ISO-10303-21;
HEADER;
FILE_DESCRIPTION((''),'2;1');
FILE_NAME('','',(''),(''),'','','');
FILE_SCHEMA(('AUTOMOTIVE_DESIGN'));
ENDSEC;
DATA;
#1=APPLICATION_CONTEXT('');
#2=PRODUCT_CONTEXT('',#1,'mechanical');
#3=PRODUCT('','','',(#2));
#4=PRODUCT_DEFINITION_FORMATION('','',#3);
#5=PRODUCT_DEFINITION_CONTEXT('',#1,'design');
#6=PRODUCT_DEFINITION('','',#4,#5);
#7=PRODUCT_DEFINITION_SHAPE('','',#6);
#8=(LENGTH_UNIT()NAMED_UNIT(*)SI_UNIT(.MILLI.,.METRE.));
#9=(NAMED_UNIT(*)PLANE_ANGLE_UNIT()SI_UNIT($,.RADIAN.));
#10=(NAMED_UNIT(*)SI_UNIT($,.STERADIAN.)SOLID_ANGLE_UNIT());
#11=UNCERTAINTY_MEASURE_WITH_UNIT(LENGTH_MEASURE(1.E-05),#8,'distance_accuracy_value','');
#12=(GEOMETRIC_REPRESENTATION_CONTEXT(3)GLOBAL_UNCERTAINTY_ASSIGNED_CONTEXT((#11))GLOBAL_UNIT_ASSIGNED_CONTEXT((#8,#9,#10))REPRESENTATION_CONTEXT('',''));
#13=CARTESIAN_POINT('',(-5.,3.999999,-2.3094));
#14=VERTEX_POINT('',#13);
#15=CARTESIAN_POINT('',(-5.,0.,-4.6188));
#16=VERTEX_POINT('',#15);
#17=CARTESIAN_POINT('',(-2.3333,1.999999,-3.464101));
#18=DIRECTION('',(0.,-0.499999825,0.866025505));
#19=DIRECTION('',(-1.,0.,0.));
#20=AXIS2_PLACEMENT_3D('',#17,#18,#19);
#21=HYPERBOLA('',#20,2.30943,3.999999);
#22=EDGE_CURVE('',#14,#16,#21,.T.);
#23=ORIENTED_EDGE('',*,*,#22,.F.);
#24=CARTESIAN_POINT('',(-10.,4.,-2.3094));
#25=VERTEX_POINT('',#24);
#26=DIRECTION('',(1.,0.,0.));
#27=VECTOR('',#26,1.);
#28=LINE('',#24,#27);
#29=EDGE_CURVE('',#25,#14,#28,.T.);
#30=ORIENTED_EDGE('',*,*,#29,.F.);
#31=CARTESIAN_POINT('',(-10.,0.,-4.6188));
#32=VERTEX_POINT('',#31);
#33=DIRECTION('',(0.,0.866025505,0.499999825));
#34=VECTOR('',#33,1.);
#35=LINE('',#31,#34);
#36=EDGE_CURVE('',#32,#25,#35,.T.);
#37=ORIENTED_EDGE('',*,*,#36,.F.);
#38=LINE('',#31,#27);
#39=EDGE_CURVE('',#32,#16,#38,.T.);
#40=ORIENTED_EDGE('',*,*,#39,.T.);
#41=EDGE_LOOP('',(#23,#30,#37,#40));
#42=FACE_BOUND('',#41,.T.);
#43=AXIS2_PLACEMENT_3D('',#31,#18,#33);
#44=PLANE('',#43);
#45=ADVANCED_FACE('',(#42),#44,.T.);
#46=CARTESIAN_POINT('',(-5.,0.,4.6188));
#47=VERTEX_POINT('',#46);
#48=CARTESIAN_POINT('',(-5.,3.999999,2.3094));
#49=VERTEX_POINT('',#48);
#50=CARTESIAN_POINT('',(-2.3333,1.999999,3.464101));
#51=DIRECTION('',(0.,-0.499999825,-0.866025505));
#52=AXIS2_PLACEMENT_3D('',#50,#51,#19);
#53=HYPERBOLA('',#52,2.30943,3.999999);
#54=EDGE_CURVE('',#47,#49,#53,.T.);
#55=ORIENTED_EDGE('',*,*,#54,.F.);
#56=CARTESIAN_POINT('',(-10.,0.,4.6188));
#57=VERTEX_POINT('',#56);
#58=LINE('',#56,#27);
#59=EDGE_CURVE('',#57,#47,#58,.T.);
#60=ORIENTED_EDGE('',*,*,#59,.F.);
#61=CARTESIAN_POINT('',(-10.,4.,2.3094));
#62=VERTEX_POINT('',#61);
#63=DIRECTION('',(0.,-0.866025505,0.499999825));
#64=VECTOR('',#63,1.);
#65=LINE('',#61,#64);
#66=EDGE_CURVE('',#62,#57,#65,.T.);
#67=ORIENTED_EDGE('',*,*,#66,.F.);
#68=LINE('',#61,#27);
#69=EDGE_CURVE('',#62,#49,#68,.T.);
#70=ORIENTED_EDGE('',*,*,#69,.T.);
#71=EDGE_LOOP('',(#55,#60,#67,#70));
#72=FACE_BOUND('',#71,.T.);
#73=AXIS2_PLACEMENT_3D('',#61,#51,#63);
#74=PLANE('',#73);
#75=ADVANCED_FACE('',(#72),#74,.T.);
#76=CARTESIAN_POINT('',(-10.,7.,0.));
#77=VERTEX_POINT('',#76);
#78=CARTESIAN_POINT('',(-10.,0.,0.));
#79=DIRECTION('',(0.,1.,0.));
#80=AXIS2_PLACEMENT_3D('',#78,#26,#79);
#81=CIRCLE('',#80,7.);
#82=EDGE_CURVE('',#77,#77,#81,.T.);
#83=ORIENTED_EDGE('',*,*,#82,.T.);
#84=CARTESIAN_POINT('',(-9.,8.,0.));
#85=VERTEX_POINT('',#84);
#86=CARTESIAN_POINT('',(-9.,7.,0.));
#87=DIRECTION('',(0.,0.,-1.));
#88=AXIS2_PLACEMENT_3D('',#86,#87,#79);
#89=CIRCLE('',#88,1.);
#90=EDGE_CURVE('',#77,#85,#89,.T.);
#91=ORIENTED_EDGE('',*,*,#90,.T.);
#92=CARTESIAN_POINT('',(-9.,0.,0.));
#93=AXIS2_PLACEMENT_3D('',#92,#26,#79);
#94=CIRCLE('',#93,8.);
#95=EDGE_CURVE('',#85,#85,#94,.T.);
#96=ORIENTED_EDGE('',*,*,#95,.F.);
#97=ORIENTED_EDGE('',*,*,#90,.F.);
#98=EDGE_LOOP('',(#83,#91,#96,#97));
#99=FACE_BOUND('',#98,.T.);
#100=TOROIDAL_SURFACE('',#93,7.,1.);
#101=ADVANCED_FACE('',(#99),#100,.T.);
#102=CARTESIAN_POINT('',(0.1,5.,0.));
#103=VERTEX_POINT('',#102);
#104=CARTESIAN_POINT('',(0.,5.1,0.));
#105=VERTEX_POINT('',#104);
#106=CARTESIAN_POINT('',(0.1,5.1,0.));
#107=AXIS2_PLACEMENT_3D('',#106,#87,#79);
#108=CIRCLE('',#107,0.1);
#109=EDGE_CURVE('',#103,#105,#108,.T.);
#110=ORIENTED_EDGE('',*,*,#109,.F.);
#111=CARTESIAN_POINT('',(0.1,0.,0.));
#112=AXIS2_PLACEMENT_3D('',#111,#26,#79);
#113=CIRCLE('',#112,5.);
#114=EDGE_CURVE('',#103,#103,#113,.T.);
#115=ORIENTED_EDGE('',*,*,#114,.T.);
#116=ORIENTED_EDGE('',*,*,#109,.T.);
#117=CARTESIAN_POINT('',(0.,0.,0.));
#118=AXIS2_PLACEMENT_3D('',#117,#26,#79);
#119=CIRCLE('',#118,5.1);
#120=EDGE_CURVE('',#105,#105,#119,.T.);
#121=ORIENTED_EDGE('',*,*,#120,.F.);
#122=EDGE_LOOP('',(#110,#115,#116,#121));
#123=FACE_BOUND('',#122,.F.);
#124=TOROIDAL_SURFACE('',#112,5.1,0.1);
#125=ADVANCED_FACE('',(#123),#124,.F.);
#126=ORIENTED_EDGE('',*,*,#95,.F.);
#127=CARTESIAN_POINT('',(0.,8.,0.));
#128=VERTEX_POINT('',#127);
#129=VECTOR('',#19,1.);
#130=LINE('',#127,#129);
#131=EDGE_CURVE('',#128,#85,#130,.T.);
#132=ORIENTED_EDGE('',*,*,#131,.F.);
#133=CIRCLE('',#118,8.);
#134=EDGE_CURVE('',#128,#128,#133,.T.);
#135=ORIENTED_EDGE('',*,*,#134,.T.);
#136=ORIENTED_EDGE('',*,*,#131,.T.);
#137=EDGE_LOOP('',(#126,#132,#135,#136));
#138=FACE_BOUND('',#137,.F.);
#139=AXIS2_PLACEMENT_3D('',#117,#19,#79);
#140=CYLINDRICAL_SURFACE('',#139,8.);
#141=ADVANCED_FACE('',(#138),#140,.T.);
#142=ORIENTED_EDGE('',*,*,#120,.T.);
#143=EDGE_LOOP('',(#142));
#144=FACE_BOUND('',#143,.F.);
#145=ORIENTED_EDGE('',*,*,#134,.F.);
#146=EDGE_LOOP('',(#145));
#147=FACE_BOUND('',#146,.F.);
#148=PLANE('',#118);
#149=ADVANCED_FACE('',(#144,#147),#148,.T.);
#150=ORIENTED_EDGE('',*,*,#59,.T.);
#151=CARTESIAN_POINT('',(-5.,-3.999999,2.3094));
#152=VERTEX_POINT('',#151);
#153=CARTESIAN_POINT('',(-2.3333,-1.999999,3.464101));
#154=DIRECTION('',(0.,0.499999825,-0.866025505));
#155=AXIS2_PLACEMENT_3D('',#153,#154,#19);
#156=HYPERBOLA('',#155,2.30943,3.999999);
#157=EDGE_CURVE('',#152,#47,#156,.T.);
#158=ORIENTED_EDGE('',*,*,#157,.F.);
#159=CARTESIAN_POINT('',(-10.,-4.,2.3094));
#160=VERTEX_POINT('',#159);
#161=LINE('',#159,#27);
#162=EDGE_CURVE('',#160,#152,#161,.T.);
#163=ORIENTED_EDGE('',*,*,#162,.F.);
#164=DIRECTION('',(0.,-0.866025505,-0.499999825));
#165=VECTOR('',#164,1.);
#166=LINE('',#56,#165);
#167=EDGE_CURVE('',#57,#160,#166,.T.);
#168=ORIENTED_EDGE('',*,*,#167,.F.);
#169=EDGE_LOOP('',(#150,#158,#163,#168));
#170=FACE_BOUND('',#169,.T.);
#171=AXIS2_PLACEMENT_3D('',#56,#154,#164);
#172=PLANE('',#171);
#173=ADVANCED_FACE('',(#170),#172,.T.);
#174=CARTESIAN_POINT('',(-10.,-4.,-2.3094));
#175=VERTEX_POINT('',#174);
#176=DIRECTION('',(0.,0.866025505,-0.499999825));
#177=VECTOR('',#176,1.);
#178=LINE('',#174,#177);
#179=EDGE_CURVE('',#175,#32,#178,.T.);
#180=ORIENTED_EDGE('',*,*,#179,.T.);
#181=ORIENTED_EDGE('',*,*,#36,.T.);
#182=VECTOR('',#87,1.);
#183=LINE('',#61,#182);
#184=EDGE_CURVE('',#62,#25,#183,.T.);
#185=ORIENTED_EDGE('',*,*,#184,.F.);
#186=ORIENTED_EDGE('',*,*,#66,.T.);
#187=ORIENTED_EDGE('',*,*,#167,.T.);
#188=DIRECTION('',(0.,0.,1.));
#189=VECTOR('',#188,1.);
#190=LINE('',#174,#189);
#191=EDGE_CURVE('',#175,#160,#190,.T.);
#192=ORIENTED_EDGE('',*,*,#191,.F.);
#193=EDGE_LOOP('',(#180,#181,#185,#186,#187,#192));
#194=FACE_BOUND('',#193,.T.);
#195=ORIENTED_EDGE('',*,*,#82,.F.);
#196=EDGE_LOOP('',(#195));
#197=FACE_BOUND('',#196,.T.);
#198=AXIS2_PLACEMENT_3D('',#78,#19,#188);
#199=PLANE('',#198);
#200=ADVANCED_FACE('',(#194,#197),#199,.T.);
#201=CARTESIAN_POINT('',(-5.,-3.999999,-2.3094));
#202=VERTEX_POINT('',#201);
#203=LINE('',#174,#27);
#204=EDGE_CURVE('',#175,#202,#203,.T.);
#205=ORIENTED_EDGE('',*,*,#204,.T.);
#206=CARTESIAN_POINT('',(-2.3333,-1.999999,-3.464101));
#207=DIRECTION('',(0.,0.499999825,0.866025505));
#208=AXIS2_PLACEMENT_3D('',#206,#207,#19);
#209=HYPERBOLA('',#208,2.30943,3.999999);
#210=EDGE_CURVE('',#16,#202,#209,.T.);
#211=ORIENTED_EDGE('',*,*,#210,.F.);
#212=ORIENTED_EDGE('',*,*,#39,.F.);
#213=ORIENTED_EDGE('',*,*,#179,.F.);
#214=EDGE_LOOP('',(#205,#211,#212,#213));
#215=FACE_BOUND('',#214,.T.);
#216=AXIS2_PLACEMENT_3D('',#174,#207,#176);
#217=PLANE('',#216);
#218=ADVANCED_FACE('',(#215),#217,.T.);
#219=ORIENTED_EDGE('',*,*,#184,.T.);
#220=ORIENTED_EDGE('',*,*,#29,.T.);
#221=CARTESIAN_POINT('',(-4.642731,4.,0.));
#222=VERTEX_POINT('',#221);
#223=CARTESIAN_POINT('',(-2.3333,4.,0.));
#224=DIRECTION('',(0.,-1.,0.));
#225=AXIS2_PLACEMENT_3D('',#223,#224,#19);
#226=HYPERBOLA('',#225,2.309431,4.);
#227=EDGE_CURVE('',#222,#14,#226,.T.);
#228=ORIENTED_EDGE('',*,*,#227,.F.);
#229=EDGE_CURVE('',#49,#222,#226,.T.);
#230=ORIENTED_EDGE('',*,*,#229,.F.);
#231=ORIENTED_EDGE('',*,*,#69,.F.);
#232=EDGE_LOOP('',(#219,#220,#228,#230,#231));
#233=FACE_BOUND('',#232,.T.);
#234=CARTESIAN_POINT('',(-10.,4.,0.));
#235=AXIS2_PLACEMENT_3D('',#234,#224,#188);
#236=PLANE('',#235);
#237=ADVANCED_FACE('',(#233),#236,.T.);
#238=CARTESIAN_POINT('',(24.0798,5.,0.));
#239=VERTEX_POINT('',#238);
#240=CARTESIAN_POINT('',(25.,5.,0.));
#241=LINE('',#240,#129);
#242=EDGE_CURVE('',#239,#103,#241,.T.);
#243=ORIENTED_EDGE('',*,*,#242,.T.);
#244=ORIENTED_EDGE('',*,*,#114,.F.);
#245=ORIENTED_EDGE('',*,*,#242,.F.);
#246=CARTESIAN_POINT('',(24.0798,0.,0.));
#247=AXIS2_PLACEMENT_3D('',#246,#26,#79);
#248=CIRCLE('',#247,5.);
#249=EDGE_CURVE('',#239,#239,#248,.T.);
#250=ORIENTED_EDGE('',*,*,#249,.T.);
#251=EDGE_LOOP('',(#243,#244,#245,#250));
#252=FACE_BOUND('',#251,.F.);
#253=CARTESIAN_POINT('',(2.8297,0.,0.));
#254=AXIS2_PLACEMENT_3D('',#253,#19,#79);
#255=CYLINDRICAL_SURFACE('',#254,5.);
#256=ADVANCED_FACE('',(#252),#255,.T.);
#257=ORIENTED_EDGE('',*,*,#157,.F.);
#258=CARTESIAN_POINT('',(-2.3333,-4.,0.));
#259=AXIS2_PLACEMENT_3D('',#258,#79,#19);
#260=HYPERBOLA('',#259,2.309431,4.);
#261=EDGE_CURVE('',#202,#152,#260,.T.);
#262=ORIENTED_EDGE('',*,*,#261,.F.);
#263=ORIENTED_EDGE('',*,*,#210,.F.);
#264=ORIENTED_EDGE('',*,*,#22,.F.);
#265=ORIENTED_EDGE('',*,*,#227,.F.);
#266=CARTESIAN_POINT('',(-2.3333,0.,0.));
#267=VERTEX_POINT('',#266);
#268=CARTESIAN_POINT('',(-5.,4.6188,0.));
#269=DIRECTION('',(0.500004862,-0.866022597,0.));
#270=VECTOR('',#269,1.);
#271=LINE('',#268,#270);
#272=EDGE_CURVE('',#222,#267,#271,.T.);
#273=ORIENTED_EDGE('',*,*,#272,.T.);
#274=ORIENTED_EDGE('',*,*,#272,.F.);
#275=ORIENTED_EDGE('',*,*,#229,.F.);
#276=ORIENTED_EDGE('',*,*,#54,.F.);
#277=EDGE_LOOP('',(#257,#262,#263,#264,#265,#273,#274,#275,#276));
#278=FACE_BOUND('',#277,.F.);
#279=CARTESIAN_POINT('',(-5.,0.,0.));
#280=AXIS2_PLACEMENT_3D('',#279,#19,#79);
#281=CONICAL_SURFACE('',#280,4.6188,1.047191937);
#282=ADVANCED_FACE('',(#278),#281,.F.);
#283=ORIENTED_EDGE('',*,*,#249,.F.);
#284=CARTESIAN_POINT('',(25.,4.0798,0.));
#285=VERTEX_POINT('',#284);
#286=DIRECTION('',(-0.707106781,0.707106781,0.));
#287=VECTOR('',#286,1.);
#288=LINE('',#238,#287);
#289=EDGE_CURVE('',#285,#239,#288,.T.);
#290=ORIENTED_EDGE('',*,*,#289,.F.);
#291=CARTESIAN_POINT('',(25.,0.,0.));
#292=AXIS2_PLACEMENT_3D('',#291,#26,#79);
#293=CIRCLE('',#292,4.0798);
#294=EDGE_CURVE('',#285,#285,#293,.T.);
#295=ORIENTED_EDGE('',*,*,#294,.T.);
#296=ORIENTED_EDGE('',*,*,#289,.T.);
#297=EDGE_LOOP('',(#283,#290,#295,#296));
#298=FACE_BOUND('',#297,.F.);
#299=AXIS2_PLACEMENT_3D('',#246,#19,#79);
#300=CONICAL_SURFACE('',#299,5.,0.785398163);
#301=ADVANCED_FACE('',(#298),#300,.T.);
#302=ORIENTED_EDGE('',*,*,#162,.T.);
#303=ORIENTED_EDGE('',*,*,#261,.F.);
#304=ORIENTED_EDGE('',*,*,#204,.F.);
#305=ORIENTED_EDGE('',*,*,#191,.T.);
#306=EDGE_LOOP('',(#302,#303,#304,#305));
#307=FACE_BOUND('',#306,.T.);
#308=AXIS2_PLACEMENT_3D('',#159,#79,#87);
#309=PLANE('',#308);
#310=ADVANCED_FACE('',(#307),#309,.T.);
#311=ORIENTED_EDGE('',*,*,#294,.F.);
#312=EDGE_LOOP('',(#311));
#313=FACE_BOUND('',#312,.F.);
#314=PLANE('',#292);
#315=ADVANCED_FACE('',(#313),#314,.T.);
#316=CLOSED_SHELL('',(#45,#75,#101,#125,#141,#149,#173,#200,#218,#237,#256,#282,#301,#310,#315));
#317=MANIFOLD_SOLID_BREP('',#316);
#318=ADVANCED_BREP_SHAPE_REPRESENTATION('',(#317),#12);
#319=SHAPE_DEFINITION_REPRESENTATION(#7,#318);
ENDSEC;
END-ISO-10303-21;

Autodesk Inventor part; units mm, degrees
ref_plane "YZ Plane" through (0, 0, 0) normal (1, 0, 0) x (0, 1, 0)
ref_plane "XZ Plane" through (0, 0, 0) normal (0, 1, 0) x (-1, 0, 0)
sketch "스케치1" plane through (0, 0, 0) normal (0, 0, 1) x (1, 0, 0)
  line L0 (-2.3333, 0) -> (25, 0)
  line L1 (25, 0) -> (25, 5)
  line L2 (25, 5) -> (3.75, 5)
  line L3 (3.75, 5) -> (2.8297, 5)
  line L4 (2.8297, 5) -> (0, 5)
  line L5 (0, 5) -> (0, 8)
  line L6 (0, 8) -> (-10, 8)
  line L7 (-10, 8) -> (-10, 4.6188)
  line L8 (-10, 4.6188) -> (-5, 4.6188)
  line L9 (-5, 4.6188) -> (-2.3333, 0)
  line L10 (-17, 0) -> (32, 0) projected
  line L11 (0, -1.6) -> (0, 9.6) projected
  line L12 (3.75, 5) -> (0, 5) construction
  dimension "d1" = 21.25
  dimension "d2" = 0.9203
  dimension "d3" = 10
  dimension "d4" = 5
  dimension "d5" = 60
  dimension "d6" = 10
  dimension "d7" = 10
  dimension "d8" = 9.2376
  dimension "d9" = 16
  dimension "d26" = 25
revolve "본체" add sketch "스케치1" angle 360 about axis through (-2.3333, 0, 0) along (1, 0, 0)
sketch "스케치2" plane through (-10, 0, 0) normal (-1, 0, 0) x (0, 0, 1)
  circle A0 centre (0, 0) radius 4.6188 projected
  line L0 (0, -11.2) -> (0, 11.2) projected
  line L1 (-11.2, 0) -> (11.2, 0) projected
  line L2 (4.6188, 0) -> (2.3094, -4)
  line L3 (2.3094, -4) -> (-2.3094, -4)
  line L4 (-2.3094, -4) -> (-4.6188, 0)
  line L5 (-4.6188, 0) -> (-2.3094, 4)
  line L6 (-2.3094, 4) -> (2.3094, 4)
  line L7 (2.3094, 4) -> (4.6188, 0)
  point P0 (0, 0)
extrude "슬롯" add sketch "스케치2" against normal up to next contours L7 A0 | A0 L2 | L6 L0 A0 | A0 L0 L3 | L0 L6 A0 | A0 L3 L0 | L4 A0 | A0 L5
fillet "모깎기1" radius 1 1 edges at (-10, -8, 0)
thread "스레드" size "M10x1.5" class "6g" standard "ISO Metric profile" length 21.25
chamfer "모따기1" distance 0.9202 distance2 0.9202 1 edges at (25, -5, 0) measured on face at (25, -0.8193, -0.3214)
ref_plane "Work Plane1" through (29, 0, 0) normal (0, -1, 0) x (1, 0, 0)
fillet "Fillet2" radius 0.1 1 edges at (0, -5, 0)
equation "\"d1\" = GEL"
equation "\"d3\" = KOH"
equation "\"d4\" = INTI"
equation "\"d6\" = GD"
equation "\"d7\" = BDM"
equation "\"d8\" = 1.1547 * SW"
equation "\"d9\" = KOD"
equation "\"d26\" = NLG"
equation "\"d30\" = R"
equation "\"d17\" = RR"
equation "\"d13\" = GEL"
equation "\"d15\" = -0.5 * SPD + 0.5 * GD"
equation "\"d16\" = GUL"
equation "\"GD\" = 10"
equation "\"NLG\" = 25"
equation "\"GEL\" = 21.25"
equation "\"KOD\" = 16"
equation "\"KOH\" = 10"
equation "\"INTI\" = 5"
equation "\"GAL\" = 0.61345 * PTC"
equation "\"GUL\" = 0.61345 * PTC"
equation "\"BDM\" = NND"
equation "\"SW\" = 8"
equation "\"RR\" = 1"
equation "\"SPD\" = NND - 1.2269 * PTC"
equation "\"R\" = 0.1"
equation "\"TOA\" = 30deg"
equation "\"GD1\" = THREADDIA - 1.2269 * PTC"
equation "\"FAWI\" = 45deg"
equation "\"PTC\" = 1.5"
equation "\"E0\" = 1.155 * SW"
equation "\"NND\" = 10"
equation "\"THREADDIA\" = 10"
properties part number "ISO 4762 - M10 x 25(1)" material "스테인레스 스틸, 440C"
